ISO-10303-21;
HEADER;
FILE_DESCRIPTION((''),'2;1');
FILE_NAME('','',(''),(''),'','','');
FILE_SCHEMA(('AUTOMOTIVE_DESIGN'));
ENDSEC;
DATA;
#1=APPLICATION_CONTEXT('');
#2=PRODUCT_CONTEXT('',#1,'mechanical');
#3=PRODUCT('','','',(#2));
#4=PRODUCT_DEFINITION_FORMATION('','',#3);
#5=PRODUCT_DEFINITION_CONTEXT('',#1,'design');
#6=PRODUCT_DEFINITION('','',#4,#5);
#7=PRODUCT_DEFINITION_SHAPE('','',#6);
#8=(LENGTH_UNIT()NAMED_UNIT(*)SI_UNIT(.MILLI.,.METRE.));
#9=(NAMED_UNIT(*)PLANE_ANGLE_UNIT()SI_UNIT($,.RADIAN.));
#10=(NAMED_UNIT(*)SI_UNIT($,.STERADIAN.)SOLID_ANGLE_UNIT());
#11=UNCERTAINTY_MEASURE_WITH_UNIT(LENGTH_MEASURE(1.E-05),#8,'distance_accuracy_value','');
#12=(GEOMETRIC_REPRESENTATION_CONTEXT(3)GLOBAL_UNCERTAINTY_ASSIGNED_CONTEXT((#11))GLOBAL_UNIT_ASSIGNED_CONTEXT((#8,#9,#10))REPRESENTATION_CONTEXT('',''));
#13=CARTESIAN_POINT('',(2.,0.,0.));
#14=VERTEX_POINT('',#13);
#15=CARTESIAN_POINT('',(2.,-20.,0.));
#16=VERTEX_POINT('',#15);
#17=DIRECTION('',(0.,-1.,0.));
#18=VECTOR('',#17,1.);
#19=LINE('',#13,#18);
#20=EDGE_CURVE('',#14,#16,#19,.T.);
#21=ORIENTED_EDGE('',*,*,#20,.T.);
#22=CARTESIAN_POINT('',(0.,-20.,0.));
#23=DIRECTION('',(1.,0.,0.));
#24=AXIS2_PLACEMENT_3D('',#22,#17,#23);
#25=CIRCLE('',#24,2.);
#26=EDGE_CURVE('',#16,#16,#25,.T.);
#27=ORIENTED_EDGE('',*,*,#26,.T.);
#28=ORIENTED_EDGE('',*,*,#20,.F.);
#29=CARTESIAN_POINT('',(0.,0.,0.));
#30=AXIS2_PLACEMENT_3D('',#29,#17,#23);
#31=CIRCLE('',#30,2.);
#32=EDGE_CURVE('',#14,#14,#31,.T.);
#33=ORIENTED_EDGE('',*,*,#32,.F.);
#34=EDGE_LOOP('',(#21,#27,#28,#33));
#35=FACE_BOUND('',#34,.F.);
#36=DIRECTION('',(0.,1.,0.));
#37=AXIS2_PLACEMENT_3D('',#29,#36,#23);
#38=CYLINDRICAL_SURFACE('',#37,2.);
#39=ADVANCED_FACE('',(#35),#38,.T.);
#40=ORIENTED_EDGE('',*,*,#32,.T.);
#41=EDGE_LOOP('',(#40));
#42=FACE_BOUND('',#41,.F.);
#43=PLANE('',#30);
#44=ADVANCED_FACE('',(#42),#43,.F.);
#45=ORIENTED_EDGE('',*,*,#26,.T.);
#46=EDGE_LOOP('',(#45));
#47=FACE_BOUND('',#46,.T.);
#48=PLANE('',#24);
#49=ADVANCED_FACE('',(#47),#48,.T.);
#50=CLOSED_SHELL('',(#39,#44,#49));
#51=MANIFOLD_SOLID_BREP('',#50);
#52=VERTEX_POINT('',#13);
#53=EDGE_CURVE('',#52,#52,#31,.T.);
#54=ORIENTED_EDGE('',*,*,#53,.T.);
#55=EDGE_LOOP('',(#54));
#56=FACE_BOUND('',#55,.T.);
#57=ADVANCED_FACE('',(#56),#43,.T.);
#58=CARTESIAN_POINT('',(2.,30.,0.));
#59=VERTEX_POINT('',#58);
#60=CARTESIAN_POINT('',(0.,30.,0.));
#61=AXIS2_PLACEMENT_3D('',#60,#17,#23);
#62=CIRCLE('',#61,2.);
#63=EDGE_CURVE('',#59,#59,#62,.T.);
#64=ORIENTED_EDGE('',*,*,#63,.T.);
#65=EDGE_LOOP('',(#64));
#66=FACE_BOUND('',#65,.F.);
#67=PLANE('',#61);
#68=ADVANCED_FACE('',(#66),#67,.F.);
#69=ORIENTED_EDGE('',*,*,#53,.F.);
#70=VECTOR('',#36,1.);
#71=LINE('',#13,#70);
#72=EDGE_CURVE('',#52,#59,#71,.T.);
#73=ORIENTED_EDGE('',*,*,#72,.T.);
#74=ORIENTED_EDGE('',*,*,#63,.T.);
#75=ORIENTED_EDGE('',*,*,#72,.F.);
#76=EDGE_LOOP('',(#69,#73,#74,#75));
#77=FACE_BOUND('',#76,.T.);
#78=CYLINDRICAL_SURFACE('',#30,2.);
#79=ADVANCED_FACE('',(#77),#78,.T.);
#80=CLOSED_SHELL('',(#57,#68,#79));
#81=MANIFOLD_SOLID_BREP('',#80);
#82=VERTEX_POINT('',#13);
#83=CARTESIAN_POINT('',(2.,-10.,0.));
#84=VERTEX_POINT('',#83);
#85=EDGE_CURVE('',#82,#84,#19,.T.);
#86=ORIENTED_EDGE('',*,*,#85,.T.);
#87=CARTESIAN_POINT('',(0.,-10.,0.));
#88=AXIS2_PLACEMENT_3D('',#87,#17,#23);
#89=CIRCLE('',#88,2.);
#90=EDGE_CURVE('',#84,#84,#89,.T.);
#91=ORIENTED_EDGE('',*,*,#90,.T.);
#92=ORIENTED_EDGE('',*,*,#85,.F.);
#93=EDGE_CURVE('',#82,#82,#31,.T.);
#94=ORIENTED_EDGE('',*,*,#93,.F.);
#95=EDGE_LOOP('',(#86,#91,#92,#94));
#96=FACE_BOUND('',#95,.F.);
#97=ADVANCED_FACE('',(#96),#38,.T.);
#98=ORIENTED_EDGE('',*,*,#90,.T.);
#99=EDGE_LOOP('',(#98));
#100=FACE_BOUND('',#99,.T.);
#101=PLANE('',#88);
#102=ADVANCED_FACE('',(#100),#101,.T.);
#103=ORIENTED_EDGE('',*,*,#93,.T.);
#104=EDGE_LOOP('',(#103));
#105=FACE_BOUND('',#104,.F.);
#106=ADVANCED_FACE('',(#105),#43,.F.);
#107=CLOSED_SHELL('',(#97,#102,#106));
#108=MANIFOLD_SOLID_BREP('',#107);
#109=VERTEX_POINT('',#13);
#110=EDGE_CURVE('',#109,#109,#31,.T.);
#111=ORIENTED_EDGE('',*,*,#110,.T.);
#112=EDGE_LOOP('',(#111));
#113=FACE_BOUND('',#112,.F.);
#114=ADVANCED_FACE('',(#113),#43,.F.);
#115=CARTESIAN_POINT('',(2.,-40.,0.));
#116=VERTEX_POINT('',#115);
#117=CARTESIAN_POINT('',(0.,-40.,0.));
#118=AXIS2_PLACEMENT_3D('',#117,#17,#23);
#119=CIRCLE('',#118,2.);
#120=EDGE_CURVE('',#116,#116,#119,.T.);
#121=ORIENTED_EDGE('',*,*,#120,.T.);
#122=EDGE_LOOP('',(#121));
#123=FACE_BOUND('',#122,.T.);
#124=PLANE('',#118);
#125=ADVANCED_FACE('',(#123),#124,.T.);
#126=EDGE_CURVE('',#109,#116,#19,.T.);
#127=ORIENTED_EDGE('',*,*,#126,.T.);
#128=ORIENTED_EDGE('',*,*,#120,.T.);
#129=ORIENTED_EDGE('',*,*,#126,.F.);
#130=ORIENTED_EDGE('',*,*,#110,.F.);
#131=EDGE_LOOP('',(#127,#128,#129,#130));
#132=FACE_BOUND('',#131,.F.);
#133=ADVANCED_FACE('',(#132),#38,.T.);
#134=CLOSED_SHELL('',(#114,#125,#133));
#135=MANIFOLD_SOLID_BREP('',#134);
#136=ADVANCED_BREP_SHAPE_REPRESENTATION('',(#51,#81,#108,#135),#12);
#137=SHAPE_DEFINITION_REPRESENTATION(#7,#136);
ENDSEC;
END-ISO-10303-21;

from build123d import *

# Parameters (mm, degrees)
F0_R     = 2
F1_DEPTH = 20
F2_DEPTH = 30
F3_DEPTH = 40
F4_DEPTH = 10


with BuildPart() as f1:
    # F0 (on Front) → F1 (new body)
    with BuildSketch(Plane.XZ):
        Circle(F0_R)
    extrude(amount=F1_DEPTH)


with BuildPart() as f2:
    # F0 (on Front) → F2 (new body)
    with BuildSketch(Plane.XZ):
        Circle(F0_R)
    extrude(amount=-F2_DEPTH)


with BuildPart() as f3:
    # F0 (on Front) → F3 (new body)
    with BuildSketch(Plane.XZ):
        Circle(F0_R)
    extrude(amount=F3_DEPTH)


with BuildPart() as f4:
    # F0 (on Front) → F4 (new body)
    with BuildSketch(Plane.XZ):
        Circle(F0_R)
    extrude(amount=F4_DEPTH)


solid = Compound([f1.part, f2.part, f3.part, f4.part])
